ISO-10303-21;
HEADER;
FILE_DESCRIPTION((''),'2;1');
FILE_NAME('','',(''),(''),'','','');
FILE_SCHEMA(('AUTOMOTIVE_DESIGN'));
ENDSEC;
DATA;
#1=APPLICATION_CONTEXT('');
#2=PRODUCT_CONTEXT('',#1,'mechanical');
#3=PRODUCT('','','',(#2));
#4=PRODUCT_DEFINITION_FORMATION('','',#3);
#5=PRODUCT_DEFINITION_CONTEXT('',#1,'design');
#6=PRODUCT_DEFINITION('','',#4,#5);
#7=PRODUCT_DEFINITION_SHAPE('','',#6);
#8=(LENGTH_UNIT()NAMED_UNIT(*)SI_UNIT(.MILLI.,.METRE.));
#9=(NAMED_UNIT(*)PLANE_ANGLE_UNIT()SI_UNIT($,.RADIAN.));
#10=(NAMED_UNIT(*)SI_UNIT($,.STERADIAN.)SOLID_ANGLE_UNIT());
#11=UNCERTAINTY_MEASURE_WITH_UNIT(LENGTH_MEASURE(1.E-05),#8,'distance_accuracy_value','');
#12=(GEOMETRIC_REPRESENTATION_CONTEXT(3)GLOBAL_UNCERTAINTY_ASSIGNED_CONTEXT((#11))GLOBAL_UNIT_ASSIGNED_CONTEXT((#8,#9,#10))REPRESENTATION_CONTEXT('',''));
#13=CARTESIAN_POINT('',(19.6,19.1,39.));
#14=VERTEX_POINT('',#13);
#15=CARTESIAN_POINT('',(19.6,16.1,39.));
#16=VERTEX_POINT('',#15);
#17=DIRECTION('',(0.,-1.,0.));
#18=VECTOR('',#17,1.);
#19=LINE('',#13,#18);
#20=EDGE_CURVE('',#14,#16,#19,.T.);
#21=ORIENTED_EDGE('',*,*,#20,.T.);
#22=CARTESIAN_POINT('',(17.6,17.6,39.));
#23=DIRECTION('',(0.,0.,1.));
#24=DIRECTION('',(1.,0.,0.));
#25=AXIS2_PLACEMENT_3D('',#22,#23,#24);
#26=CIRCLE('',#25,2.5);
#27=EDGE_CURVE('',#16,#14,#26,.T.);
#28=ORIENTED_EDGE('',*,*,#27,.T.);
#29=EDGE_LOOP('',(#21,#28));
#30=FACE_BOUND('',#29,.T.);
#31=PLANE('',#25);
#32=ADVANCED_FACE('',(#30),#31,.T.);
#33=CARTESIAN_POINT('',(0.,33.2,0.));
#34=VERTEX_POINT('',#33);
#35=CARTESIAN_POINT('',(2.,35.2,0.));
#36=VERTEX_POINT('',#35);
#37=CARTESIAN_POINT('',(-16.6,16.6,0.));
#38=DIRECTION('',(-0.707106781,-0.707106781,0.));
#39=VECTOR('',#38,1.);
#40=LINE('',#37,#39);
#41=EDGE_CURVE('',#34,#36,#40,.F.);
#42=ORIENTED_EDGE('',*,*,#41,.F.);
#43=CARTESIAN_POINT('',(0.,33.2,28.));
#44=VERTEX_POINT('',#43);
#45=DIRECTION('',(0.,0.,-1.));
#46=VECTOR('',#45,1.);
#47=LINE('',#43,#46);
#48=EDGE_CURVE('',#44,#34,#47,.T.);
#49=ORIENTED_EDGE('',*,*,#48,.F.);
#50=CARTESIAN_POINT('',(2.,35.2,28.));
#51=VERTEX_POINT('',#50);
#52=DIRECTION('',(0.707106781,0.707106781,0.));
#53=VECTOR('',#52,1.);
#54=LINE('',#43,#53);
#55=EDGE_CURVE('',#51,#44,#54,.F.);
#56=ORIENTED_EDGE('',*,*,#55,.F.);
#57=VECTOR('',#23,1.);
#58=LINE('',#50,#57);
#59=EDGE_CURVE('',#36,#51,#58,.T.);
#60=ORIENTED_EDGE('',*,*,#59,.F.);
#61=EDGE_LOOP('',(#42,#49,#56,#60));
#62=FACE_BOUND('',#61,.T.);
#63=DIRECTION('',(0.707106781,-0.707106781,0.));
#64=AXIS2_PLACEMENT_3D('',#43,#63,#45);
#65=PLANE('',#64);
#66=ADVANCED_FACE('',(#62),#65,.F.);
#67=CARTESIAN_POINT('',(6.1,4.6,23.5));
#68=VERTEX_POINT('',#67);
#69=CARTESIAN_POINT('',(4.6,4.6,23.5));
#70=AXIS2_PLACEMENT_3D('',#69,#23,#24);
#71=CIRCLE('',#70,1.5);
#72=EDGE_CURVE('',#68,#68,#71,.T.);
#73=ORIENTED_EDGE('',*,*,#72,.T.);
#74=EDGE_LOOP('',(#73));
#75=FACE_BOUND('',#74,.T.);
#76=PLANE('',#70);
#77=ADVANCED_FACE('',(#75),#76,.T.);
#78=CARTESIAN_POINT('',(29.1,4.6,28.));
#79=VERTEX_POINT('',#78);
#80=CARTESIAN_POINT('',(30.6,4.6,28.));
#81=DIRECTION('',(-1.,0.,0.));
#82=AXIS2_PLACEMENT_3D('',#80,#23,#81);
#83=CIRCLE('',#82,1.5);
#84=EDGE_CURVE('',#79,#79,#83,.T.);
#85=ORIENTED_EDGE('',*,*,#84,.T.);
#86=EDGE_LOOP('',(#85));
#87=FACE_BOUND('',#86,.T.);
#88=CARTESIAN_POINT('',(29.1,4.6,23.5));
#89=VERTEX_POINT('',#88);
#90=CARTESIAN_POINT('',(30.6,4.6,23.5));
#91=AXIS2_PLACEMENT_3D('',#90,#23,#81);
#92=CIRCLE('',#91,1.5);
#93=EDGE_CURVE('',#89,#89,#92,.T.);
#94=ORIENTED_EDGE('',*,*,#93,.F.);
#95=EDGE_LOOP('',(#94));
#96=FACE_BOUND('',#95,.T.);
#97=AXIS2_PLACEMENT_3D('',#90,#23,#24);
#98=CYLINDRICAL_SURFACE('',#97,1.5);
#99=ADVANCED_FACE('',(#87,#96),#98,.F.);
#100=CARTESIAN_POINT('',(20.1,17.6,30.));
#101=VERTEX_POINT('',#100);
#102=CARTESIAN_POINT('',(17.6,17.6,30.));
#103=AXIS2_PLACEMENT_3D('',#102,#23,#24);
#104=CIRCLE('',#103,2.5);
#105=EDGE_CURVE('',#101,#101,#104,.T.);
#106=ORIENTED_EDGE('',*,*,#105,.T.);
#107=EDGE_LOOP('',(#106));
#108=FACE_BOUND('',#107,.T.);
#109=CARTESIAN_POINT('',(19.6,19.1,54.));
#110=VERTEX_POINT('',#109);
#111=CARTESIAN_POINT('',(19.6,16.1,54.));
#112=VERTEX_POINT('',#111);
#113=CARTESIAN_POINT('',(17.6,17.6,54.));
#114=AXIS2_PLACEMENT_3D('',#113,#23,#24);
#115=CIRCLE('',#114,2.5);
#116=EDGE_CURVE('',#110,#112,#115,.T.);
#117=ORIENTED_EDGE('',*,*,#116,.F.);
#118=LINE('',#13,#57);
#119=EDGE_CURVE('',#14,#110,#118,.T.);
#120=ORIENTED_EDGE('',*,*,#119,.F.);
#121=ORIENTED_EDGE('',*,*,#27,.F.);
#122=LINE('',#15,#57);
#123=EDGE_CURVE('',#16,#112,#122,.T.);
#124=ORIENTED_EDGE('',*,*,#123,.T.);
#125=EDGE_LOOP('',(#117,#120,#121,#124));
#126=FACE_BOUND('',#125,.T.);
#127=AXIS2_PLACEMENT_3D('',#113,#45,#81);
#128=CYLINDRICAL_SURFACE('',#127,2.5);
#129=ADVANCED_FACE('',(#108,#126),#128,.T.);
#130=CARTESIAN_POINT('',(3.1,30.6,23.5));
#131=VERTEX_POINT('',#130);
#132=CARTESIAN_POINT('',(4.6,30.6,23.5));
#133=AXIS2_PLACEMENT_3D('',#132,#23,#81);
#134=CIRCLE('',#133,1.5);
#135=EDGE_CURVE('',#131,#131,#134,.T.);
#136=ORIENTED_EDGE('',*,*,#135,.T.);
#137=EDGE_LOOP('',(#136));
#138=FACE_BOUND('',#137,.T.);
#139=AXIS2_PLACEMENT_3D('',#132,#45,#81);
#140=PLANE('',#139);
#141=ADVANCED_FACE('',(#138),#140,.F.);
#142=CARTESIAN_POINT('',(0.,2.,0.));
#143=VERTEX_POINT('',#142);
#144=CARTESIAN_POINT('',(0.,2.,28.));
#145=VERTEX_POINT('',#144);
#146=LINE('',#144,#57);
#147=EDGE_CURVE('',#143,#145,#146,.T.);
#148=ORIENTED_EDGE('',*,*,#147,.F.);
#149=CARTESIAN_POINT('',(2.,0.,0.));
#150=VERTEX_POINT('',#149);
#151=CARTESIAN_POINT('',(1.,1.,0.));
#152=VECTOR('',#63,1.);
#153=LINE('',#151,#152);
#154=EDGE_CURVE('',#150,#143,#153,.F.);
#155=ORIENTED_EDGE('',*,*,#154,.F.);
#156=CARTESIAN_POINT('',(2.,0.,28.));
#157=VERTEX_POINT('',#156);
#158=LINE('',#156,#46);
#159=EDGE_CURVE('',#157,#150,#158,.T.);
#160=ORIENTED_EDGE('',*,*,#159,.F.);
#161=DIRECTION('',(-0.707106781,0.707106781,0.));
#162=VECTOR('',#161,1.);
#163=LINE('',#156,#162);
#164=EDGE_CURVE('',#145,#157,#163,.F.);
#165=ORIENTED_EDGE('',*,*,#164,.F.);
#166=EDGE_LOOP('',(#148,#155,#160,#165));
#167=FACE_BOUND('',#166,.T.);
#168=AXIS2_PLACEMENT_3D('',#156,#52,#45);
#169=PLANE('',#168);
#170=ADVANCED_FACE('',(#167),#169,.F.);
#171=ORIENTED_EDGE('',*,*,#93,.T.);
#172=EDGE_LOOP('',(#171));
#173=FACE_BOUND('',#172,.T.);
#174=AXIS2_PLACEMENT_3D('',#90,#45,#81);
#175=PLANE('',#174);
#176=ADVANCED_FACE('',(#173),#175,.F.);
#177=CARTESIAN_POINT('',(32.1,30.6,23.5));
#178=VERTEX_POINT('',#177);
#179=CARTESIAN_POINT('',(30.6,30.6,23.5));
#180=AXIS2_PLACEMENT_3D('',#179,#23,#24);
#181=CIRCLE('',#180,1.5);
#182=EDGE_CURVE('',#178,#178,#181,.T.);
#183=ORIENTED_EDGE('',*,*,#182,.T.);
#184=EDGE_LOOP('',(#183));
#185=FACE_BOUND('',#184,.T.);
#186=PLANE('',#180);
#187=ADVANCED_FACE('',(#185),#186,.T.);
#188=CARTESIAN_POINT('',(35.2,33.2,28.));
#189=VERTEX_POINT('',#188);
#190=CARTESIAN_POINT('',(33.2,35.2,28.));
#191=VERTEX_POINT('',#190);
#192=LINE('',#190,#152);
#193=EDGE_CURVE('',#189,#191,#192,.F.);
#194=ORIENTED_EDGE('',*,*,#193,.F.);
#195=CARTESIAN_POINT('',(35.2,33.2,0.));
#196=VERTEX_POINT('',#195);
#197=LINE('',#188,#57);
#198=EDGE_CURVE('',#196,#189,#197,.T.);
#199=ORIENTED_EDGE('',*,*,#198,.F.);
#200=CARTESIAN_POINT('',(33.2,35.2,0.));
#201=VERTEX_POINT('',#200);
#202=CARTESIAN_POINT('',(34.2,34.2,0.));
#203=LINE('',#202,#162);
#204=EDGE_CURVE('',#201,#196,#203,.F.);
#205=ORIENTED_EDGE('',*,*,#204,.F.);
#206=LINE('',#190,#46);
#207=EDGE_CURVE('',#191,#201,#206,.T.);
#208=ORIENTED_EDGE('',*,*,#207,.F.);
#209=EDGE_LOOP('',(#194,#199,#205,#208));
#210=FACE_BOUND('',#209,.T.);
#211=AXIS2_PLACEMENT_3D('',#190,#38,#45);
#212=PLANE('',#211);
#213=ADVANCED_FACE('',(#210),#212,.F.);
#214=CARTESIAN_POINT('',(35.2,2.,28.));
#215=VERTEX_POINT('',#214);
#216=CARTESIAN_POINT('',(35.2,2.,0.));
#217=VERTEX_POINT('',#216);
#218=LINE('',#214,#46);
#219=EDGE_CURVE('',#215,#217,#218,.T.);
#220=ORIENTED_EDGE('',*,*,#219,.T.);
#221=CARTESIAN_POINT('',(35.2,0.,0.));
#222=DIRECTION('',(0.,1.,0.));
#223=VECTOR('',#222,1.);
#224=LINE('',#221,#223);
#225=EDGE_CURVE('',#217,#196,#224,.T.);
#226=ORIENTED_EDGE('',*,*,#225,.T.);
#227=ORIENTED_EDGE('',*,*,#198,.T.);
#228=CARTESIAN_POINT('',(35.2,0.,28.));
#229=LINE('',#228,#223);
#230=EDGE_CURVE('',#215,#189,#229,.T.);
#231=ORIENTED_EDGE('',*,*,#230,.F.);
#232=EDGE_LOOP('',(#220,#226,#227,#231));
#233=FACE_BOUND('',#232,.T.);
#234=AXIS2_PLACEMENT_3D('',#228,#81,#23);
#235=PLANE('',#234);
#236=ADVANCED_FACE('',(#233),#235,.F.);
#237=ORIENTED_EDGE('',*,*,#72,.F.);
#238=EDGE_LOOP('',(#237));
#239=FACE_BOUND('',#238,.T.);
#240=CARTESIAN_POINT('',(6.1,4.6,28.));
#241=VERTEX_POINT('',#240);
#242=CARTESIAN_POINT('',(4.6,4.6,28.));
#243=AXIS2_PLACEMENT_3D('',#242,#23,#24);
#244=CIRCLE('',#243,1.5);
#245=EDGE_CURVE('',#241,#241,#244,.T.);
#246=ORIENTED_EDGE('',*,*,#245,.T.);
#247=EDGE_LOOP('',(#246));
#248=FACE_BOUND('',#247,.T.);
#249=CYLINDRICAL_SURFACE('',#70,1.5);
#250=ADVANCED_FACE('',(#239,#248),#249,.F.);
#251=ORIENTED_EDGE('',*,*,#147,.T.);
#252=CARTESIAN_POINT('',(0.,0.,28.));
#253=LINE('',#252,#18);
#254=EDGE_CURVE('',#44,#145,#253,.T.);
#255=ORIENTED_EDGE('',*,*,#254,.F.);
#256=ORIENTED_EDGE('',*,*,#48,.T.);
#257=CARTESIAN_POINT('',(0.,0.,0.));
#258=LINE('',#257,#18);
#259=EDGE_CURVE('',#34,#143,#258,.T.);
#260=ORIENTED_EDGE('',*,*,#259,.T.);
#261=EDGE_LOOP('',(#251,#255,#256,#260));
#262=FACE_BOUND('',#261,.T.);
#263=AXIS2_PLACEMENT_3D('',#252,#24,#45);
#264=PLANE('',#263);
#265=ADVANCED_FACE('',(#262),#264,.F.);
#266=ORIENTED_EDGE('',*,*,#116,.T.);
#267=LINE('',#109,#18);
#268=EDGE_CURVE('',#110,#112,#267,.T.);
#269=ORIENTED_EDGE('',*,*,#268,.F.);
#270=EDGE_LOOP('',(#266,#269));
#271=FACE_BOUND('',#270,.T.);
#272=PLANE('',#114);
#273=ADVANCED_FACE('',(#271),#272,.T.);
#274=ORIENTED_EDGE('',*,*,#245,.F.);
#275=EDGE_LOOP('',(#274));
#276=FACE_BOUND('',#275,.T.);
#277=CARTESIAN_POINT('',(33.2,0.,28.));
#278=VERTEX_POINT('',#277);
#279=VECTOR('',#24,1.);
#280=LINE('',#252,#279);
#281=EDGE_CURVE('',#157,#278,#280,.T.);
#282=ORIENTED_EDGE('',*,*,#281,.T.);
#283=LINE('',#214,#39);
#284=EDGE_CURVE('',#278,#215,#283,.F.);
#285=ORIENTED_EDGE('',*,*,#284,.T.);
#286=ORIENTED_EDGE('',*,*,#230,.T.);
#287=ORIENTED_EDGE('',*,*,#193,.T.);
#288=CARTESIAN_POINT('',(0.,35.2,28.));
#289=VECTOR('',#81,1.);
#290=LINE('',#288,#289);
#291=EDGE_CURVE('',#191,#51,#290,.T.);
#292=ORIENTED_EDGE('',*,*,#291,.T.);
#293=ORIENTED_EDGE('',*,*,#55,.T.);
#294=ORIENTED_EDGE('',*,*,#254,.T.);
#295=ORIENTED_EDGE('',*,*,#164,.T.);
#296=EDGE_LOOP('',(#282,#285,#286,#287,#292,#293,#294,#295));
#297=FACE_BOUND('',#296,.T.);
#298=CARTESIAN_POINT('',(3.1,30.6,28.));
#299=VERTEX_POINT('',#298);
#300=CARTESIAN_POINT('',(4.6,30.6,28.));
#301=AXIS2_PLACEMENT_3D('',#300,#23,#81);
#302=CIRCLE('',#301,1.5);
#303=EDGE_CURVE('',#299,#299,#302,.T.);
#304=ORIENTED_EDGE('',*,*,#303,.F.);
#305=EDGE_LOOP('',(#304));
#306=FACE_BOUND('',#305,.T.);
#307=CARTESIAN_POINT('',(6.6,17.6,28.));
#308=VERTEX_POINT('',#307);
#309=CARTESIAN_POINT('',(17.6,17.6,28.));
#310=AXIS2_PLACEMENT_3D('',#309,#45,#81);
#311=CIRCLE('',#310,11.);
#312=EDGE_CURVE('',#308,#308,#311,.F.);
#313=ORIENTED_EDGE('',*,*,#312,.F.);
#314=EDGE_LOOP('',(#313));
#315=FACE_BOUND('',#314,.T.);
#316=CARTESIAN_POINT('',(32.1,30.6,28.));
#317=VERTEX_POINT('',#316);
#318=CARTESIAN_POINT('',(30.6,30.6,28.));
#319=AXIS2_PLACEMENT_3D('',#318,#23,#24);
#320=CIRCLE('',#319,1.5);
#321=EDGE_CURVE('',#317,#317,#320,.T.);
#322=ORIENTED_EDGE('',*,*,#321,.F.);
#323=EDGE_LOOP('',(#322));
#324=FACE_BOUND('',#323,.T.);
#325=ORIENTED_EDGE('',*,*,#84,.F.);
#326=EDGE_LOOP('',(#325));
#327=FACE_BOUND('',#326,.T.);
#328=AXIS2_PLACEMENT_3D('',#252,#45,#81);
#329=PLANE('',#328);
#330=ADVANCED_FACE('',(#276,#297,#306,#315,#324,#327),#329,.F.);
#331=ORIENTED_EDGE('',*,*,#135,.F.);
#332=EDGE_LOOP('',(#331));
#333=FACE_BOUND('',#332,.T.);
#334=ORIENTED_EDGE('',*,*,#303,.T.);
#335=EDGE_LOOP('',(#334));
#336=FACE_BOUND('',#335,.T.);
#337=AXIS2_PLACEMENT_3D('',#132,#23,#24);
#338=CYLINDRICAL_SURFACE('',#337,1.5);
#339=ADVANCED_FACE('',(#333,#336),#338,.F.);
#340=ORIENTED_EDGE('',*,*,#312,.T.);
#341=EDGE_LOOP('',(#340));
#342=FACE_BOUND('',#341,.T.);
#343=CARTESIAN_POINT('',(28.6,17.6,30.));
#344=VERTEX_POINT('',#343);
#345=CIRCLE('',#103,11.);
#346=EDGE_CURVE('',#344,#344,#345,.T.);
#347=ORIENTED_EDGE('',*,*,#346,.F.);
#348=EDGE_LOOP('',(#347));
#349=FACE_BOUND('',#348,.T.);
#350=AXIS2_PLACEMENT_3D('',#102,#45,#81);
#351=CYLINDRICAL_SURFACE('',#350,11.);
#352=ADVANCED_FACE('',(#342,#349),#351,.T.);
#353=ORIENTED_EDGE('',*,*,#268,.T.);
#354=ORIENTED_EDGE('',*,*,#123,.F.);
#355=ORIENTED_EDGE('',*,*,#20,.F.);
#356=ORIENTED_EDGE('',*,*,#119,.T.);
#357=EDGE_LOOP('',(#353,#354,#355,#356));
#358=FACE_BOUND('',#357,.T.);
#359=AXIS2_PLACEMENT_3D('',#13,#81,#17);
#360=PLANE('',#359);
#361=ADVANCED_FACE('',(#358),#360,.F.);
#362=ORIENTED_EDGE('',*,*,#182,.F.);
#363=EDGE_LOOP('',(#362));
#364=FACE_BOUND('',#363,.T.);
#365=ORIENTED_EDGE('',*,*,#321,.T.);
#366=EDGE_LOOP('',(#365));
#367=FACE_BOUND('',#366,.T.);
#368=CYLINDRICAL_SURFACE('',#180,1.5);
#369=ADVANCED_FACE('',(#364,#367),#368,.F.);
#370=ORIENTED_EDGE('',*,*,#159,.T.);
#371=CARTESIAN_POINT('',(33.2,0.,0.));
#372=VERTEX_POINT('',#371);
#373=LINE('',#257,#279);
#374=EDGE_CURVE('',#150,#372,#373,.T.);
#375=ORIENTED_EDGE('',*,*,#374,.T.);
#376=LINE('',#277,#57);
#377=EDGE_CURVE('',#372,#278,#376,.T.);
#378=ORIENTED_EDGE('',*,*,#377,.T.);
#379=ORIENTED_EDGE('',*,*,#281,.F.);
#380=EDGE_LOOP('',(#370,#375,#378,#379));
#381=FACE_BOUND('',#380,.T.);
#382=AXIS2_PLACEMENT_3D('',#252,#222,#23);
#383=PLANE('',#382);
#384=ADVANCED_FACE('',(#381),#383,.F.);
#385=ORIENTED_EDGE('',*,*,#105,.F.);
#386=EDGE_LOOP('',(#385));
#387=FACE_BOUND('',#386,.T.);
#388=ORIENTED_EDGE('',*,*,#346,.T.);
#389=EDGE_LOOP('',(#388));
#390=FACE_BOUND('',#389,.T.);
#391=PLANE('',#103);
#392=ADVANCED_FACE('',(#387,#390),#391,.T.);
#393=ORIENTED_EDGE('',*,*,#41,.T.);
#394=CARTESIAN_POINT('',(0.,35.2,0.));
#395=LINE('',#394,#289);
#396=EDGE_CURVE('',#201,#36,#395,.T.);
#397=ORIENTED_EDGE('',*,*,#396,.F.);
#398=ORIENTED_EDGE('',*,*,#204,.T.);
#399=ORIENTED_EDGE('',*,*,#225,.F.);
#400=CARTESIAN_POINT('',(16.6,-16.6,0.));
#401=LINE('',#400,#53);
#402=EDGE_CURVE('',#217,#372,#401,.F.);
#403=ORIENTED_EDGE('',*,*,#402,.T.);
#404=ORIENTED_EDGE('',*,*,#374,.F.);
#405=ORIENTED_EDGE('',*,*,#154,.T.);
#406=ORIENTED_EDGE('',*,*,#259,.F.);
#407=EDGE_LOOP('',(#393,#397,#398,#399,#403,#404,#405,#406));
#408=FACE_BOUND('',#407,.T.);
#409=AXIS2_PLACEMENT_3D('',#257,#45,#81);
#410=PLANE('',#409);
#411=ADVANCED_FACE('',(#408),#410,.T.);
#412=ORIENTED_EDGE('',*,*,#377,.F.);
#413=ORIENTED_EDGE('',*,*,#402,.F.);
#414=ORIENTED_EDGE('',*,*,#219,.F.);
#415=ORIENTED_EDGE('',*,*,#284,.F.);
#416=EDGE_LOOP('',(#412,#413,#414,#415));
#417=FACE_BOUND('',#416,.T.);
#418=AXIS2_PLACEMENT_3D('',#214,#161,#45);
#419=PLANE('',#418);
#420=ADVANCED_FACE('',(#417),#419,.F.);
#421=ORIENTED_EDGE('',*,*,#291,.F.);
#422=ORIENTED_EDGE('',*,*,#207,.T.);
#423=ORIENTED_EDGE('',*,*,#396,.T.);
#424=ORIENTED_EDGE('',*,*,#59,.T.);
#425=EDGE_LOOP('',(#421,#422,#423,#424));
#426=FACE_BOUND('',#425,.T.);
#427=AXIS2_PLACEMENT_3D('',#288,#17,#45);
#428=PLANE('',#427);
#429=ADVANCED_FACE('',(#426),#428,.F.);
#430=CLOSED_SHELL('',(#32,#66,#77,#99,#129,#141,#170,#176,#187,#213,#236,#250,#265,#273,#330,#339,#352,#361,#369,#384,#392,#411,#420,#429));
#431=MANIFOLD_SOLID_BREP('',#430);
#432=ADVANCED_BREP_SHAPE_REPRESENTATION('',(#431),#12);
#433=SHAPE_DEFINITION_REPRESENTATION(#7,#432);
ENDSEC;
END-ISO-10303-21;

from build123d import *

# Parameters (mm, degrees)
ESQUISSE2_W             = 35.2
ESQUISSE2_H             = 35.2
BOSS_EXTRU_1_DEPTH      = 28
ESQUISSE3_R             = 11
BOSS_EXTRU_2_DEPTH      = 2
ESQUISSE4_R             = 2.5
BOSS_EXTRU_3_DEPTH      = 24
ENL_V_START             = -15
ENL_V_MAT_EXTRU_1_DEPTH = 15
CHANFREIN1_SIZE         = 2
ESQUISSE6_R             = 1.5
ENL_V_MAT_EXTRU_2_DEPTH = 4.5


with BuildPart() as part:
    # Esquisse2 → Boss.-Extru.1 (new body)
    with BuildSketch(Plane.XY):
        with Locations((17.6, 17.6)):
            Rectangle(ESQUISSE2_W, ESQUISSE2_H)
    extrude(amount=BOSS_EXTRU_1_DEPTH)

    # Esquisse3 → Boss.-Extru.2 (add)
    with BuildSketch(Plane.XY.offset(28)):
        with Locations((17.6, 17.6)):
            Circle(ESQUISSE3_R)
    extrude(amount=BOSS_EXTRU_2_DEPTH)

    # Esquisse4 → Boss.-Extru.3 (add)
    with BuildSketch(Plane.XY.offset(30)):
        with Locations((17.6, 17.6)):
            Circle(ESQUISSE4_R)
    extrude(amount=BOSS_EXTRU_3_DEPTH)

    # Esquisse5 → Enlèv. mat.-Extru.1 (cut)
    with BuildSketch(Plane.XY.offset(54).offset(ENL_V_START)):
        with BuildLine():
            Line((19.6, 19.1), (19.6, 16.1))
            ThreePointArc((19.6, 16.1), (20.1, 17.6), (19.6, 19.1))
        make_face()
    extrude(amount=ENL_V_MAT_EXTRU_1_DEPTH, mode=Mode.SUBTRACT)

    # Chanfrein1
    chanfrein1_edges = [part.edges().sort_by_distance(p)[0] for p in [
        (0, 0, 14),
        (35.2, 0, 14),
        (0, 35.2, 14),
        (35.2, 35.2, 14),
    ]]
    chamfer(chanfrein1_edges, length=CHANFREIN1_SIZE)

    # Esquisse6 → Enlèv. mat.-Extru.2 (cut)
    with BuildSketch(Plane.XY.offset(28)):
        with Locations((30.6, 30.6)):
            Circle(ESQUISSE6_R)
        with Locations((30.6, 4.6)):
            Circle(ESQUISSE6_R)
        with Locations((4.6, 4.6)):
            Circle(ESQUISSE6_R)
        with Locations((4.6, 30.6)):
            Circle(ESQUISSE6_R)
    extrude(amount=-ENL_V_MAT_EXTRU_2_DEPTH, mode=Mode.SUBTRACT)


solid = part.part
